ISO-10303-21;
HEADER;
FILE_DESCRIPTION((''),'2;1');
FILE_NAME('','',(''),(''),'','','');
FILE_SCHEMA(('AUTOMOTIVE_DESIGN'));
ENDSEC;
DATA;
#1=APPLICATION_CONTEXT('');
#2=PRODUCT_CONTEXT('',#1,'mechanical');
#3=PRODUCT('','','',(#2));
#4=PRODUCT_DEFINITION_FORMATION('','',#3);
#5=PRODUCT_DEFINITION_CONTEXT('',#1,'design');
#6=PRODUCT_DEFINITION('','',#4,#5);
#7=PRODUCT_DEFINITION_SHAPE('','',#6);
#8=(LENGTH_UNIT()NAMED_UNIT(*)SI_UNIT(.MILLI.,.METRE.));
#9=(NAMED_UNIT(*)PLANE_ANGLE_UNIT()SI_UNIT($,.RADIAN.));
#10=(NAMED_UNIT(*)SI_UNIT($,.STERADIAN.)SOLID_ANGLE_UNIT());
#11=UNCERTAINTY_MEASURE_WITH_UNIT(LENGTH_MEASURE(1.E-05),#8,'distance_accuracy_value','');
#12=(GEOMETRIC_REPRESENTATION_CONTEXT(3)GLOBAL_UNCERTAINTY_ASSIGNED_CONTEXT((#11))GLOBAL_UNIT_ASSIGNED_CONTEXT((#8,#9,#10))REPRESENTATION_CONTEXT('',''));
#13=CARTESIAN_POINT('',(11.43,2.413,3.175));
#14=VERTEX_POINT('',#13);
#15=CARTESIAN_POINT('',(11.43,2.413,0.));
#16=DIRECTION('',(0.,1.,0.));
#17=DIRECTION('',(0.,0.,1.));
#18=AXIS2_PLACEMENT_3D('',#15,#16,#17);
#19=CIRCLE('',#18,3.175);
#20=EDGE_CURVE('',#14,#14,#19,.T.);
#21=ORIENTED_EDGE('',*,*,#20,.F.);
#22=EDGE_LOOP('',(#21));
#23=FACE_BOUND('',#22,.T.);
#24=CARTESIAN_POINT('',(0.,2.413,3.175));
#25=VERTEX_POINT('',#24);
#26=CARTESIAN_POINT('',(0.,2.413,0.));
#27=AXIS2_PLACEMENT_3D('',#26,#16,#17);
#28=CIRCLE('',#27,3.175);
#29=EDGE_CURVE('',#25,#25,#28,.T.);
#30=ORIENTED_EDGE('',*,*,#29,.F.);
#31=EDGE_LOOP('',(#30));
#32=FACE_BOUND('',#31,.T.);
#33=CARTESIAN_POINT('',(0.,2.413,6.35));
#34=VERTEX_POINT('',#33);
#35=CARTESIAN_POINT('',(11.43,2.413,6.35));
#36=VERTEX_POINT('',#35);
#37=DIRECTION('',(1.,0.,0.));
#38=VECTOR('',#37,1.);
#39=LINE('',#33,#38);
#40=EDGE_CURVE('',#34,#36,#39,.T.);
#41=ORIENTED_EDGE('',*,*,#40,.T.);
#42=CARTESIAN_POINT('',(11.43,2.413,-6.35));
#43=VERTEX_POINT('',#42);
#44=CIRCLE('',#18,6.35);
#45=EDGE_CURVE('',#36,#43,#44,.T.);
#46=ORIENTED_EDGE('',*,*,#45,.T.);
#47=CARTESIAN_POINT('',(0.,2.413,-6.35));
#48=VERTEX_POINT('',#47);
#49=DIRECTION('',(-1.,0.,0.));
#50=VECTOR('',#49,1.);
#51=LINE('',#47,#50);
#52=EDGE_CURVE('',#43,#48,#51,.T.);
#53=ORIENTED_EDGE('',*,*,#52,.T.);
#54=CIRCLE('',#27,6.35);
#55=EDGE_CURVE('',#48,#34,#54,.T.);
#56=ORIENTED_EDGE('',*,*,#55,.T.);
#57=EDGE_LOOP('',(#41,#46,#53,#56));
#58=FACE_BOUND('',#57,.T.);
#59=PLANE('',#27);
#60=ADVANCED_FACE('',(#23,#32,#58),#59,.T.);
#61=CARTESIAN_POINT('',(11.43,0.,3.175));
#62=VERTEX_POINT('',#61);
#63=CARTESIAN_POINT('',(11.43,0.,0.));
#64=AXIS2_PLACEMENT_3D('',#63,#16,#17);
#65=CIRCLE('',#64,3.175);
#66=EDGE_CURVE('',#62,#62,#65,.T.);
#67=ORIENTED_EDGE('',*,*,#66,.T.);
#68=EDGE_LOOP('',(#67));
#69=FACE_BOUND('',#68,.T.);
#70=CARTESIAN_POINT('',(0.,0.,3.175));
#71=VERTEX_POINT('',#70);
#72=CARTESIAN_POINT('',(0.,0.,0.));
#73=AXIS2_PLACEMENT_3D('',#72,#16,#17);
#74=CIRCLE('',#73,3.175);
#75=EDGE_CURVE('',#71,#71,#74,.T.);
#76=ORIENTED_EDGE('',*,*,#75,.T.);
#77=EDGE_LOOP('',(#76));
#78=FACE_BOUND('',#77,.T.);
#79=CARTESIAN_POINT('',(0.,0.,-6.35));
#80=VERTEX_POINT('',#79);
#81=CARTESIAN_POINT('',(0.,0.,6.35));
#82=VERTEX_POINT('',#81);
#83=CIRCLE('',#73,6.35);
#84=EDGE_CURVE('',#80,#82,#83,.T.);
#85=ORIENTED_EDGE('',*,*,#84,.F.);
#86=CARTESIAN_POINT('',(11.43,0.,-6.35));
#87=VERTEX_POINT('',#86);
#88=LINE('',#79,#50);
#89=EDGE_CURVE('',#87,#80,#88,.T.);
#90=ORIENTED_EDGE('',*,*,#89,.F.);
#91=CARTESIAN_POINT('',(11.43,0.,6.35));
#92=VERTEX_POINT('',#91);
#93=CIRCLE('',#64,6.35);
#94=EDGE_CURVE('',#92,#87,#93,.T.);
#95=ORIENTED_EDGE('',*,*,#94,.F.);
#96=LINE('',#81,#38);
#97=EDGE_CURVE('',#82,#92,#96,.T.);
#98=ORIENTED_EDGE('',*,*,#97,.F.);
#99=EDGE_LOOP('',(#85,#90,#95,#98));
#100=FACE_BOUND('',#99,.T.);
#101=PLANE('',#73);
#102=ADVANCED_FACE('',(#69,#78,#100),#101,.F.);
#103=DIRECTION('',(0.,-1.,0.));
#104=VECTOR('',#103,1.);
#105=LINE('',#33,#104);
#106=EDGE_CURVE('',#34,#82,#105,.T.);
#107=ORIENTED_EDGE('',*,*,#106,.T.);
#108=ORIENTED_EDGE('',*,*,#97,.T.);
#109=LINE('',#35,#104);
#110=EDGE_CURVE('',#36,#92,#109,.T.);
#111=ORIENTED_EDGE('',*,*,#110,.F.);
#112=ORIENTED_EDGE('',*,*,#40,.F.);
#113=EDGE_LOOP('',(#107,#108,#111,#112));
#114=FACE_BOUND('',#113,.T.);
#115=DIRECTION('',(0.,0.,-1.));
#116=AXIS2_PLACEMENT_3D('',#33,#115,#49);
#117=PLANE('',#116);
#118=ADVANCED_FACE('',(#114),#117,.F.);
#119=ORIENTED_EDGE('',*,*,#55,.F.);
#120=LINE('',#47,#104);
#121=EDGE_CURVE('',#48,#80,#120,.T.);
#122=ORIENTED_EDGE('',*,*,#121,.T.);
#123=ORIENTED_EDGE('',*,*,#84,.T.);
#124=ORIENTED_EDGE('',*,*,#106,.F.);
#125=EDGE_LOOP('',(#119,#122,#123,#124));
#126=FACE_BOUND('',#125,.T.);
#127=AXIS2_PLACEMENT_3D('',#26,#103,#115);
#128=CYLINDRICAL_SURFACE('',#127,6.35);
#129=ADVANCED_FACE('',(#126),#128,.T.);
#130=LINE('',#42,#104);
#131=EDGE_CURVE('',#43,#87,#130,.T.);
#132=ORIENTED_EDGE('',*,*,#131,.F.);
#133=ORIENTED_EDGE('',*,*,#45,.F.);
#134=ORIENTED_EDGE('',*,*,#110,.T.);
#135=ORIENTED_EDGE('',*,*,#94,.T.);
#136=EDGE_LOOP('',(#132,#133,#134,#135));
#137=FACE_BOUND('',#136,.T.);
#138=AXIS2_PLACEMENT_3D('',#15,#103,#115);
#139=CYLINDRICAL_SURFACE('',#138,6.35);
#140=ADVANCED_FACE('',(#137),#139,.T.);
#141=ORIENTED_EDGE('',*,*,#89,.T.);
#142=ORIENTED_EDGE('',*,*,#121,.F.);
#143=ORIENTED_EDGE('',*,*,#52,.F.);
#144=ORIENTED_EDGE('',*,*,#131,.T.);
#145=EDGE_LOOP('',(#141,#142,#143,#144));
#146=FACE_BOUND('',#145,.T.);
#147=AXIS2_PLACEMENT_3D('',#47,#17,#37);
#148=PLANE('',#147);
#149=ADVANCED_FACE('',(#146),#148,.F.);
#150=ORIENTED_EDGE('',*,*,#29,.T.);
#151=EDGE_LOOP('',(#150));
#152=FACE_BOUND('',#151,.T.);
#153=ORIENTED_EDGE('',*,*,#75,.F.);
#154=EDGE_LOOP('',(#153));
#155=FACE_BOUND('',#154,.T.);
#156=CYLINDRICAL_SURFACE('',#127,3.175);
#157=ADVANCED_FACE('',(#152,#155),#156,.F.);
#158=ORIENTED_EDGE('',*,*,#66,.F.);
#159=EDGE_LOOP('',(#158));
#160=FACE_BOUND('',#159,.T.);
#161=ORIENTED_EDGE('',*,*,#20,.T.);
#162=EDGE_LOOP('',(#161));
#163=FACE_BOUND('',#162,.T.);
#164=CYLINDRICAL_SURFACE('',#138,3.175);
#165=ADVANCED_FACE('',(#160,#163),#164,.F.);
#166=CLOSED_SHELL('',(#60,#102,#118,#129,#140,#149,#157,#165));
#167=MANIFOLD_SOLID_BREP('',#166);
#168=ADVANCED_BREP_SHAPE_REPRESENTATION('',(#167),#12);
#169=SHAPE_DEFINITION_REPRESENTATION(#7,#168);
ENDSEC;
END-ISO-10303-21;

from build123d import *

# Parameters (mm, degrees)
SKETCH1_R           = 3.175
BOSS_EXTRUDE1_DEPTH = 2.413


with BuildPart() as part:
    # Sketch1 → Boss-Extrude1 (new body)
    with BuildSketch(Plane(origin=(0, 0, 0), x_dir=(1, 0, 0), z_dir=(0, 1, 0))):
        with BuildLine():
            Line((0, 6.35), (11.43, 6.35))
            ThreePointArc((11.43, 6.35), (17.78, 0), (11.43, -6.35))
            Line((11.43, -6.35), (0, -6.35))
            ThreePointArc((0, -6.35), (-6.35, 0), (0, 6.35))
        make_face()
        with Locations(Location((0, 0, 0), (0, 0, 270))):
            Circle(SKETCH1_R, mode=Mode.SUBTRACT)
        with Locations(Location((11.43, 0, 0), (0, 0, 270))):
            Circle(SKETCH1_R, mode=Mode.SUBTRACT)
    extrude(amount=BOSS_EXTRUDE1_DEPTH)


solid = part.part
